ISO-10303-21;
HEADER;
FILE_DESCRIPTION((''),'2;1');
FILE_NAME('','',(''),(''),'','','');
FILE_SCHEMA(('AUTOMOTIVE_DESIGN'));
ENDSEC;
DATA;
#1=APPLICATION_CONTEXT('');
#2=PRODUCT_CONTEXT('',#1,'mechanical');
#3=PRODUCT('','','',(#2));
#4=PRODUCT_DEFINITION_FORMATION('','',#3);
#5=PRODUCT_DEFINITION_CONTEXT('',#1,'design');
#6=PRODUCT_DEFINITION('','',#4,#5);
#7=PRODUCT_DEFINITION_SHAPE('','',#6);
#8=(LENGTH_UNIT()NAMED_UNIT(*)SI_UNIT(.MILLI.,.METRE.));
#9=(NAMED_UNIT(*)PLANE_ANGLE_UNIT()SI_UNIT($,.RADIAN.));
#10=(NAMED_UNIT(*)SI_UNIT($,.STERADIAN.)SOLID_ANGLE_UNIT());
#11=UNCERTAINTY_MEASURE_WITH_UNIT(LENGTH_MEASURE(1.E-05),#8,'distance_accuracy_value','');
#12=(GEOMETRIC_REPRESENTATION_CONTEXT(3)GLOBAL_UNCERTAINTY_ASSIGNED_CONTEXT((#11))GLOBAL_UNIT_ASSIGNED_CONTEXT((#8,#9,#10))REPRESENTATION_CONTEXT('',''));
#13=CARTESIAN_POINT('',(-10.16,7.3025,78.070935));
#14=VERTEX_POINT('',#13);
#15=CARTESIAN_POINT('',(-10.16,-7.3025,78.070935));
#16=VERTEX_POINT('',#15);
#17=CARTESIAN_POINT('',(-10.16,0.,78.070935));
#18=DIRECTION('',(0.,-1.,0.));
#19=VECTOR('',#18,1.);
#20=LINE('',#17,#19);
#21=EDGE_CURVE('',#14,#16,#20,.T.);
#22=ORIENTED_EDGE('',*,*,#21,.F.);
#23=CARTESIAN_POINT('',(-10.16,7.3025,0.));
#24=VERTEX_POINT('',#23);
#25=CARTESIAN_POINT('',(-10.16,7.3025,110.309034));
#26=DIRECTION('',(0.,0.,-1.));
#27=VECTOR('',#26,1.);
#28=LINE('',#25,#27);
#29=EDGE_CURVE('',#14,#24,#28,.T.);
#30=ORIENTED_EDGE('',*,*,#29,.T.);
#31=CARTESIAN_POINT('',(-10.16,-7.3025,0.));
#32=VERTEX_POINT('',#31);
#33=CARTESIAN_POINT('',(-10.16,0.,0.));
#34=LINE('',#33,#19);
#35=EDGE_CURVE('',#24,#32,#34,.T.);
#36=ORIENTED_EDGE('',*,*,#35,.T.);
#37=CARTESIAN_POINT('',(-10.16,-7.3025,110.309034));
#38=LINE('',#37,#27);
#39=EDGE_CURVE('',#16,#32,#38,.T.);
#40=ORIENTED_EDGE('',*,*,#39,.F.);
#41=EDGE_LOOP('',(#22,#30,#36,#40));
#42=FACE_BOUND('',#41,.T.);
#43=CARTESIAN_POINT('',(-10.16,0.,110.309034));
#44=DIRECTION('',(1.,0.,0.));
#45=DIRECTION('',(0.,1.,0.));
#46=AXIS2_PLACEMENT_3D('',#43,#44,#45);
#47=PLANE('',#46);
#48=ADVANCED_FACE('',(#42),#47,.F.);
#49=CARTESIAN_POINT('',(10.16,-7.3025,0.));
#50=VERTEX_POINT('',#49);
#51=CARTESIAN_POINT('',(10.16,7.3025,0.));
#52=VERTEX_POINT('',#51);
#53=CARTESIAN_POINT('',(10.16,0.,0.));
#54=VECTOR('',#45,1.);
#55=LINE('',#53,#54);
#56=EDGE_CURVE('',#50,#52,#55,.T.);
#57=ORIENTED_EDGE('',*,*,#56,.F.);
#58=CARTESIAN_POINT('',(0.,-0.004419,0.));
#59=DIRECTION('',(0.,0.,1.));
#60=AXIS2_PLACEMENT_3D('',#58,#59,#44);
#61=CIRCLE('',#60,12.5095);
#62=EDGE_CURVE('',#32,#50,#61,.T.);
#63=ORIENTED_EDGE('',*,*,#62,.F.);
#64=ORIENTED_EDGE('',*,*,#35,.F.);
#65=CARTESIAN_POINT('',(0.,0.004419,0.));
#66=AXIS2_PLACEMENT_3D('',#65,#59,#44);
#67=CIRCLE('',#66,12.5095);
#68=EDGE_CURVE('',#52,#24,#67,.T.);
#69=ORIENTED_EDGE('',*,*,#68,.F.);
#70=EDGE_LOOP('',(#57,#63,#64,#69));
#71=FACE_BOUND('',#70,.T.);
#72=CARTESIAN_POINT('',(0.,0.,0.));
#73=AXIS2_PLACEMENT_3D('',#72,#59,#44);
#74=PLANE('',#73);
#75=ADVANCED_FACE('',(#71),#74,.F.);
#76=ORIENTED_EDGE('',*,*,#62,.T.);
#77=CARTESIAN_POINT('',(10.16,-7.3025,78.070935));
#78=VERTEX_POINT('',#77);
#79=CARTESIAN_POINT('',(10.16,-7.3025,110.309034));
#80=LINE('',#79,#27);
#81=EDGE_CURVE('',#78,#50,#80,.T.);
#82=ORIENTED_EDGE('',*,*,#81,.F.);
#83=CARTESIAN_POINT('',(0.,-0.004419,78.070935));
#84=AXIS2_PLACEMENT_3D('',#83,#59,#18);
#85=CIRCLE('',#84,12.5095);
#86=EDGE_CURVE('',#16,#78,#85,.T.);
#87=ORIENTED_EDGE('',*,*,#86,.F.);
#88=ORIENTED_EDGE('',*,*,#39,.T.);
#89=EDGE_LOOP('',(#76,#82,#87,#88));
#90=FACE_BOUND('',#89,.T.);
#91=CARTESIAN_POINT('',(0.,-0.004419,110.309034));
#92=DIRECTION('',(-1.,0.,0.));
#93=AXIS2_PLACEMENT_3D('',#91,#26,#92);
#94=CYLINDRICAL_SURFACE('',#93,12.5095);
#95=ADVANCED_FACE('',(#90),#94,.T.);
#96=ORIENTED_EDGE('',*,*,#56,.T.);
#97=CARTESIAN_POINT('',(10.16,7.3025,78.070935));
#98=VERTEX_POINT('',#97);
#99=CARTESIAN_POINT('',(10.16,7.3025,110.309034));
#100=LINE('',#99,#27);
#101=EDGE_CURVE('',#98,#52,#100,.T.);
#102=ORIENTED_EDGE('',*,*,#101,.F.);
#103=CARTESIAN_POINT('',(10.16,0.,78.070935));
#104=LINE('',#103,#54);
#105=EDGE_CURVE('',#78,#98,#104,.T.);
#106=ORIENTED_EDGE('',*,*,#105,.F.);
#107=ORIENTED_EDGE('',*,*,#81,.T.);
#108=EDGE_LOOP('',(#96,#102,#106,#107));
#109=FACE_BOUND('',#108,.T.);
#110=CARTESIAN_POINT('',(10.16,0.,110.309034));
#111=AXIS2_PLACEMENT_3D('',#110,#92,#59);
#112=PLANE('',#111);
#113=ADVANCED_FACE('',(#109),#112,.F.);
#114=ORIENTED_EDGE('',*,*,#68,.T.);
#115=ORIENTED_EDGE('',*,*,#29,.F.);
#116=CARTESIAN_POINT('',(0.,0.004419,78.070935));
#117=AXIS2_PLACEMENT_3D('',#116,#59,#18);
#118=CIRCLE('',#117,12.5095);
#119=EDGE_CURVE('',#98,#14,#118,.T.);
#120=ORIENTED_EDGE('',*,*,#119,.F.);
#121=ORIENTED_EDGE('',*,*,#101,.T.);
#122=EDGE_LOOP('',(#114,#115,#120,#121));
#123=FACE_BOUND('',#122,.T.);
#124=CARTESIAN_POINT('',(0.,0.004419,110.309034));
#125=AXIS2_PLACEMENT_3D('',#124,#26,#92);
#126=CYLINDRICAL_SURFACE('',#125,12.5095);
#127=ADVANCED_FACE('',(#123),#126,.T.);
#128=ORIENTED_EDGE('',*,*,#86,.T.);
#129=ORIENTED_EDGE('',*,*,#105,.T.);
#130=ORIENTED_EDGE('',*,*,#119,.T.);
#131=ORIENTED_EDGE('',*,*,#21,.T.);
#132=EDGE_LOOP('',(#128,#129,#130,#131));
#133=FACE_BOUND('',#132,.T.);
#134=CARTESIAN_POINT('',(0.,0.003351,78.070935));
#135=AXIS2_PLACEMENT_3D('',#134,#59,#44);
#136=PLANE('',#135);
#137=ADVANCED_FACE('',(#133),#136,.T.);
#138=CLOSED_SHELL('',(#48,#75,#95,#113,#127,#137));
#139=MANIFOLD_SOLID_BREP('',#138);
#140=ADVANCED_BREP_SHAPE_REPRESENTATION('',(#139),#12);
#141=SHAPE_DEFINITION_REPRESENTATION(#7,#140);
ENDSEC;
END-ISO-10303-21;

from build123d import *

# Parameters (mm, degrees)
BOSS_EXTRUDE1_DEPTH = 78.070935073


with BuildPart() as part:
    # Sketch1 → Boss-Extrude1 (new body)
    with BuildSketch(Plane.XY):
        with BuildLine():
            Line((-10.16, 7.3025), (-10.16, -7.3025))
            ThreePointArc((-10.16, -7.3025), (0, -12.513918728), (10.16, -7.3025))
            Line((10.16, -7.3025), (10.16, 7.3025))
            ThreePointArc((10.16, 7.3025), (0, 12.513918728), (-10.16, 7.3025))
        make_face()
    extrude(amount=BOSS_EXTRUDE1_DEPTH)


solid = part.part
